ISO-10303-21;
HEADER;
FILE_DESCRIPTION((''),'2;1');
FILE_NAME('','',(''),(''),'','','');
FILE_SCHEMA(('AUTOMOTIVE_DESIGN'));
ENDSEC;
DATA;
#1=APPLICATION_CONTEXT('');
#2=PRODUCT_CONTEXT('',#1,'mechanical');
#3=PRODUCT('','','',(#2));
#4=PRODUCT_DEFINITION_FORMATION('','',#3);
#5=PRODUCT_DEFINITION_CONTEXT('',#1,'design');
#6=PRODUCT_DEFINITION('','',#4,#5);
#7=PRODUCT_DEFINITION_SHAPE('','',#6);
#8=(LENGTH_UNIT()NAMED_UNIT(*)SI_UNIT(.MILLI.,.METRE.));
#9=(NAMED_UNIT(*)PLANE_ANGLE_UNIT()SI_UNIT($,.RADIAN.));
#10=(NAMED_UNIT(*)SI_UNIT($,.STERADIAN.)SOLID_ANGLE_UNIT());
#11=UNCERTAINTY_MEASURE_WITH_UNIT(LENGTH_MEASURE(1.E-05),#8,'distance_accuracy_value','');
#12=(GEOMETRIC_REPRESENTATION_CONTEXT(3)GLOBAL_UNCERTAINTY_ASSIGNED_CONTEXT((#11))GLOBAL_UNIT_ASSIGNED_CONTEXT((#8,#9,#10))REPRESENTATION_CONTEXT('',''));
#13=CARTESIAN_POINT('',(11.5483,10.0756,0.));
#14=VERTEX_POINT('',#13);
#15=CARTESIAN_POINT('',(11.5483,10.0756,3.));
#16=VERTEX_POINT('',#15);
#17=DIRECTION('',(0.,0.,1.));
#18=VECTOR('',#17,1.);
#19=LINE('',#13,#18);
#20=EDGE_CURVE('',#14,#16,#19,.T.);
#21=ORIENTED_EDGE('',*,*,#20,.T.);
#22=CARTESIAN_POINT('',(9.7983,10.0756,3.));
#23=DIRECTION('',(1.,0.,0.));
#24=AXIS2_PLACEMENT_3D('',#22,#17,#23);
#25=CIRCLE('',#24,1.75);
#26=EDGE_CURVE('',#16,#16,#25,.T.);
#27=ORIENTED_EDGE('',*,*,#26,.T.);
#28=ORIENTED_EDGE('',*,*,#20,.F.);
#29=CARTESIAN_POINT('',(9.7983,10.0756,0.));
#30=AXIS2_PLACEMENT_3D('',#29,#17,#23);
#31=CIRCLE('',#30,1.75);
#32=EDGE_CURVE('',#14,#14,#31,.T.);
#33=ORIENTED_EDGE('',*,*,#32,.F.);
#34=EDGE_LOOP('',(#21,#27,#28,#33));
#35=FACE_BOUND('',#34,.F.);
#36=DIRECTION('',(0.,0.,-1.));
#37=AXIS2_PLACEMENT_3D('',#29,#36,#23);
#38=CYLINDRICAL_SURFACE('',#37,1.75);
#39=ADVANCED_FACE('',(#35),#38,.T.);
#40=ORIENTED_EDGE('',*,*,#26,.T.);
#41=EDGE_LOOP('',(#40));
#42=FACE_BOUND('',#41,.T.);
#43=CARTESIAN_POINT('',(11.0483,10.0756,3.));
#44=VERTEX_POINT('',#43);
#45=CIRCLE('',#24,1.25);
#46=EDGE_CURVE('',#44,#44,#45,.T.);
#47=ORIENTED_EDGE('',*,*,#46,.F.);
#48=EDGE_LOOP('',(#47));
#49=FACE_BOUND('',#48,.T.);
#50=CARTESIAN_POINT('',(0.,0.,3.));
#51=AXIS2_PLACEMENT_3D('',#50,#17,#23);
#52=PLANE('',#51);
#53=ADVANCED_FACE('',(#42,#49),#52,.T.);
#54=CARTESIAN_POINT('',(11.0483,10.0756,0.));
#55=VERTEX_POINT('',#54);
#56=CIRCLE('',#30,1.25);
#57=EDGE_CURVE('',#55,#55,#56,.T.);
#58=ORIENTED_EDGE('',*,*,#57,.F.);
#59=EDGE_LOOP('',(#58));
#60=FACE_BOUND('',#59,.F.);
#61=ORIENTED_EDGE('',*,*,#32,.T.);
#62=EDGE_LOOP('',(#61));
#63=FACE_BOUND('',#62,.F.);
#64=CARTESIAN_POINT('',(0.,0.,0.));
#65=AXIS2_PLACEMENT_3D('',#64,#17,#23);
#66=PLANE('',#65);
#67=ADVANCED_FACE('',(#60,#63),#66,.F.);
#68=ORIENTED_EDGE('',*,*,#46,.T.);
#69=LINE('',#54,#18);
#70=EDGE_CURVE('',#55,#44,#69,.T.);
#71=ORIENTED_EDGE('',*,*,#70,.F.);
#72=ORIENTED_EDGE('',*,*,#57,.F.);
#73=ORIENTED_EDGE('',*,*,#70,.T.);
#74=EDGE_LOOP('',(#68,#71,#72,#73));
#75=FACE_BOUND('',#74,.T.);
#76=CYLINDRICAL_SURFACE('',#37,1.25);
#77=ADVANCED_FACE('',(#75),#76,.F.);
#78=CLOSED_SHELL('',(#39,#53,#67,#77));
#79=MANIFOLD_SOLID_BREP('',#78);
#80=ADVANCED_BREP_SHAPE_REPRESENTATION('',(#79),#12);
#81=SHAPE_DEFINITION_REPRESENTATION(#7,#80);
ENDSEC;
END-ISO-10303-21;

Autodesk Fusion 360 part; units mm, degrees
sketch "Sketch1" plane through (0, 0, 0) normal (0, 0, 1) x (1, 0, 0)
  circle A0 centre (9.7983, 10.0756) radius 1.25
  circle A1 centre (9.7983, 10.0756) radius 1.75
  dimension "d1" = 2.5
  dimension "d2" = 3.5
extrude "Extrude1" add sketch "Sketch1" along normal blind 3
